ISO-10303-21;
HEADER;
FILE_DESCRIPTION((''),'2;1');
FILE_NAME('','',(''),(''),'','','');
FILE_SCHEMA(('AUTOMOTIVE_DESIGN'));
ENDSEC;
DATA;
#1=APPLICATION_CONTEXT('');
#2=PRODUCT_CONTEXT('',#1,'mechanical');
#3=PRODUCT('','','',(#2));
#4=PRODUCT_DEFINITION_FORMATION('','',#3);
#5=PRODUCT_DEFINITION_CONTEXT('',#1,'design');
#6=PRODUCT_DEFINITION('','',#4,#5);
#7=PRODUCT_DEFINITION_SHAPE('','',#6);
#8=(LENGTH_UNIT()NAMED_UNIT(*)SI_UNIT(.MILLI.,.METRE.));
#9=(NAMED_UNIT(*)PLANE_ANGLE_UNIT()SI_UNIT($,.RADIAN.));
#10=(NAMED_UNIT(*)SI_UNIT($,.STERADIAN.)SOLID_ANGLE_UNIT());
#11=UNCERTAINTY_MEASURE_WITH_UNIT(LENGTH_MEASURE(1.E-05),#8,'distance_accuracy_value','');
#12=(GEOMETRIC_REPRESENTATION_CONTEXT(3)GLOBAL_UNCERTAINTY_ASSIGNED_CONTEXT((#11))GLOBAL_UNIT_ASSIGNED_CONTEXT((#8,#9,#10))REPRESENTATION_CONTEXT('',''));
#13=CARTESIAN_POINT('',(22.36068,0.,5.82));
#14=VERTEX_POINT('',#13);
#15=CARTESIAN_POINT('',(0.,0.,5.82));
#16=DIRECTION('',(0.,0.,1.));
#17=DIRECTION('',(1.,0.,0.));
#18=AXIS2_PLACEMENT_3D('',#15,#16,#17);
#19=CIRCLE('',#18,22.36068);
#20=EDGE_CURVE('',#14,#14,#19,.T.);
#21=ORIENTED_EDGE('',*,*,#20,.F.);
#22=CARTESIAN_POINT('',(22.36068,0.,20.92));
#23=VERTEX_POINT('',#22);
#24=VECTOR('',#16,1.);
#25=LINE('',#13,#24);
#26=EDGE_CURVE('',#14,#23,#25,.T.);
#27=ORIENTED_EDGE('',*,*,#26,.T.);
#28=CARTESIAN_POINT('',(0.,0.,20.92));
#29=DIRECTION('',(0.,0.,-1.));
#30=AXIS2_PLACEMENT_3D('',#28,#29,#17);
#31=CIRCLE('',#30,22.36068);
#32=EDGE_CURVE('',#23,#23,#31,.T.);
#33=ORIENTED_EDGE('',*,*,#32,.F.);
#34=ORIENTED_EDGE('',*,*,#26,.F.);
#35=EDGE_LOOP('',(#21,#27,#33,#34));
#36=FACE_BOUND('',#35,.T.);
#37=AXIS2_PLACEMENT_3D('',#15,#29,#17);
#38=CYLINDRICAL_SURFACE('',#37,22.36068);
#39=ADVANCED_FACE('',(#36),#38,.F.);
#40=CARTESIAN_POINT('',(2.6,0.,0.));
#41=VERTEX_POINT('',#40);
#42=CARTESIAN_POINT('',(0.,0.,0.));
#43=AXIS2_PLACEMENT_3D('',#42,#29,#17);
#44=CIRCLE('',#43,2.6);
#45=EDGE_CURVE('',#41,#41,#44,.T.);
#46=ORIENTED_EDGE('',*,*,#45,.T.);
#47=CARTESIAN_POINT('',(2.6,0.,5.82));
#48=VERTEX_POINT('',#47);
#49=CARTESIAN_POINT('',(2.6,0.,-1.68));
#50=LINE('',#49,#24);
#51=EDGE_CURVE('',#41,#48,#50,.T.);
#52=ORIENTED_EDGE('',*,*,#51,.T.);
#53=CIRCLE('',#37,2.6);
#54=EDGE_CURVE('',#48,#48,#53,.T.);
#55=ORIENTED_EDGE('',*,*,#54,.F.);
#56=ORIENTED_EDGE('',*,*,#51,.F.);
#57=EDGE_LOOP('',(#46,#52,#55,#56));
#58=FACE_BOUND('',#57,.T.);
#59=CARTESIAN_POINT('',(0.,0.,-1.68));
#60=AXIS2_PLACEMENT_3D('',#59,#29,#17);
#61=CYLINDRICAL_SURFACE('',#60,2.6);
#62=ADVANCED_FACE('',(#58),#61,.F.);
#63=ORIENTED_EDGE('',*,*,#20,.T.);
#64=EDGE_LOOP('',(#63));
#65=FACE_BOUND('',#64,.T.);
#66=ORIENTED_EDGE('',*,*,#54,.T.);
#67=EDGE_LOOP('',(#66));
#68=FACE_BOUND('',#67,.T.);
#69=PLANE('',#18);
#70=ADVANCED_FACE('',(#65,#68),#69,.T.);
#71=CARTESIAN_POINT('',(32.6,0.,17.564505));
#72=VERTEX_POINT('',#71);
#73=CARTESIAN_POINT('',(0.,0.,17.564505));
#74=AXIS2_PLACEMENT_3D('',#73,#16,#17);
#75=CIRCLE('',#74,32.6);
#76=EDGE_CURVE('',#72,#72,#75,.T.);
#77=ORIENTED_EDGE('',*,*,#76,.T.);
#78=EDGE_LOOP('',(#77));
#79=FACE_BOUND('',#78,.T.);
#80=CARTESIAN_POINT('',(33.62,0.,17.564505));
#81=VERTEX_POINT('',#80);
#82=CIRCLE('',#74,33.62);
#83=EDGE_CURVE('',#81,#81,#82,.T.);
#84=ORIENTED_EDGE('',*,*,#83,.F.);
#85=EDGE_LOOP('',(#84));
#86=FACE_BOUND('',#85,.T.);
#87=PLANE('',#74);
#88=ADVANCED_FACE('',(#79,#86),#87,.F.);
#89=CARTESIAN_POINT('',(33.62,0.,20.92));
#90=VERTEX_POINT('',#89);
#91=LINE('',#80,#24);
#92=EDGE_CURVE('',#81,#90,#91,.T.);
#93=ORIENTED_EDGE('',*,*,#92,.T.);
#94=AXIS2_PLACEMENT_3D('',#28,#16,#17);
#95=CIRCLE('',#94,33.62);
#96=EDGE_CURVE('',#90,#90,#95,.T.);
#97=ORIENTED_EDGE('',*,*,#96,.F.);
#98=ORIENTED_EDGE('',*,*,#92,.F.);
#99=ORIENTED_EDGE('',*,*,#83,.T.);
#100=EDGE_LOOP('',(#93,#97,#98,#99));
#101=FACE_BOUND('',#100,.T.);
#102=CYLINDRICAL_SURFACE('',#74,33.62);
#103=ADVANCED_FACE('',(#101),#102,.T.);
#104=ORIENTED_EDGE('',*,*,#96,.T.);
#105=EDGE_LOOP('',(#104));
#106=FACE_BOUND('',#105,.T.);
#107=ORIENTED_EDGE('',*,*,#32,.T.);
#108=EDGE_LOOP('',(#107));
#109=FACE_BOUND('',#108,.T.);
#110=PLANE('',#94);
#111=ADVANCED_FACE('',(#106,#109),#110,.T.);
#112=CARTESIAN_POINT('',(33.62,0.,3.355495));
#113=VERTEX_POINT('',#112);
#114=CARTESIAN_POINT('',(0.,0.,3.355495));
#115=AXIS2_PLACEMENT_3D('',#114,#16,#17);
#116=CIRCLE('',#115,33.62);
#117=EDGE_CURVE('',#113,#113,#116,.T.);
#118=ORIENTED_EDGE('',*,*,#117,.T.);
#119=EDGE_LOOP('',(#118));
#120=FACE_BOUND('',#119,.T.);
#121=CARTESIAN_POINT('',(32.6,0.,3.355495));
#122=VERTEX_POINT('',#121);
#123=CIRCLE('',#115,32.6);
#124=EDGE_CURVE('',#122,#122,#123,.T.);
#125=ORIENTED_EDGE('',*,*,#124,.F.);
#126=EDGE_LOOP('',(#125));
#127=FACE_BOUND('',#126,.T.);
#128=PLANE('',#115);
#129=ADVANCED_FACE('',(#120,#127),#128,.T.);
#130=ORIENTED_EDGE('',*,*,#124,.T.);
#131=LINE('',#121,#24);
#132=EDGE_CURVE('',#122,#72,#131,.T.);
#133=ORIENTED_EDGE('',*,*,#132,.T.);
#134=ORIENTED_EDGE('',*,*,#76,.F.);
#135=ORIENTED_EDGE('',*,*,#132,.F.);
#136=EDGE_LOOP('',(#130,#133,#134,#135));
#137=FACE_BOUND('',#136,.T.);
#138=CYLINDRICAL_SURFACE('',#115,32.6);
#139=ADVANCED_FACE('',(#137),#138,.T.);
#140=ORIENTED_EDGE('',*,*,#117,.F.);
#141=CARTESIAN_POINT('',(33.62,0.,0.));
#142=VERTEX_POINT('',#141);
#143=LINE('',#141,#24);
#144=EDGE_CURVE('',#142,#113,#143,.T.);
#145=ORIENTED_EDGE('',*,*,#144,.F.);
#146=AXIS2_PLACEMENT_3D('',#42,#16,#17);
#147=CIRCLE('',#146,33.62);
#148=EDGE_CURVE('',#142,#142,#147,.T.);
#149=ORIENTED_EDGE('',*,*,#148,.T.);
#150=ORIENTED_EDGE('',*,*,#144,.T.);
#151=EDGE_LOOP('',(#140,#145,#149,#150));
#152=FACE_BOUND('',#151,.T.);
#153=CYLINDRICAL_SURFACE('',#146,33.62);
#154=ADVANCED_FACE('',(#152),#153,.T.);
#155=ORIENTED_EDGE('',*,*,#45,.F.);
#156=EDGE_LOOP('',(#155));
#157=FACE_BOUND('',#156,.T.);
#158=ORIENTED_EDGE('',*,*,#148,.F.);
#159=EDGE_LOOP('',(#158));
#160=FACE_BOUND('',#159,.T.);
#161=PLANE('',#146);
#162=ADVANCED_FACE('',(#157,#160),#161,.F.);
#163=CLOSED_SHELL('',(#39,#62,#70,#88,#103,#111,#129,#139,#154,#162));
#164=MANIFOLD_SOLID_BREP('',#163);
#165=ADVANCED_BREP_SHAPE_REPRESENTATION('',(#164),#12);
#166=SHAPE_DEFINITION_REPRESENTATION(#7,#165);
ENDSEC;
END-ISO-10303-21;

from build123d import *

# Parameters (mm, degrees)
SKETCH002_R      = 2.6
EXTRUDE001_DEPTH = 10
SKETCH001_R      = 22.36068
EXTRUDE_DEPTH    = 20


with BuildPart() as extrude001:
    # Sketch002 (on Face9 of Cut) → Extrude001 (new body)
    with BuildSketch(Plane.XY.offset(5.82)):
        Circle(SKETCH002_R)
    extrude(amount=EXTRUDE001_DEPTH)


with BuildPart() as extrude001_1:
    # Extrude001 placement: moved
    add(extrude001.part.moved(Location((0, 0, -7.5))))


with BuildPart() as extrude_body:
    # Sketch001 (on Face7 of Revolve) → Extrude (new body)
    with BuildSketch(Plane.XY.offset(20.92)):
        Circle(SKETCH001_R)
    extrude(amount=EXTRUDE_DEPTH)


with BuildPart() as extrude_body_1:
    # Extrude placement: moved
    add(extrude_body.part.moved(Location((0, 0, -15.1))))


with BuildPart() as cut001:
    # Sketch → Revolve (revolve)
    with BuildSketch(Plane.XZ):
        Polygon((0, 0), (33.62, 0), (33.62, 3.355495), (32.6, 3.355495), (32.6, 17.564505), (33.62, 17.564505), (33.62, 20.92), (0, 20.92), align=None)
    revolve(axis=Axis((0, 0, 0), (0, 0, 1)))

    # Cut: cut Extrude body
    add(extrude_body_1.part, mode=Mode.SUBTRACT)

    # Cut001: cut Extrude001
    add(extrude001_1.part, mode=Mode.SUBTRACT)


solid = cut001.part
